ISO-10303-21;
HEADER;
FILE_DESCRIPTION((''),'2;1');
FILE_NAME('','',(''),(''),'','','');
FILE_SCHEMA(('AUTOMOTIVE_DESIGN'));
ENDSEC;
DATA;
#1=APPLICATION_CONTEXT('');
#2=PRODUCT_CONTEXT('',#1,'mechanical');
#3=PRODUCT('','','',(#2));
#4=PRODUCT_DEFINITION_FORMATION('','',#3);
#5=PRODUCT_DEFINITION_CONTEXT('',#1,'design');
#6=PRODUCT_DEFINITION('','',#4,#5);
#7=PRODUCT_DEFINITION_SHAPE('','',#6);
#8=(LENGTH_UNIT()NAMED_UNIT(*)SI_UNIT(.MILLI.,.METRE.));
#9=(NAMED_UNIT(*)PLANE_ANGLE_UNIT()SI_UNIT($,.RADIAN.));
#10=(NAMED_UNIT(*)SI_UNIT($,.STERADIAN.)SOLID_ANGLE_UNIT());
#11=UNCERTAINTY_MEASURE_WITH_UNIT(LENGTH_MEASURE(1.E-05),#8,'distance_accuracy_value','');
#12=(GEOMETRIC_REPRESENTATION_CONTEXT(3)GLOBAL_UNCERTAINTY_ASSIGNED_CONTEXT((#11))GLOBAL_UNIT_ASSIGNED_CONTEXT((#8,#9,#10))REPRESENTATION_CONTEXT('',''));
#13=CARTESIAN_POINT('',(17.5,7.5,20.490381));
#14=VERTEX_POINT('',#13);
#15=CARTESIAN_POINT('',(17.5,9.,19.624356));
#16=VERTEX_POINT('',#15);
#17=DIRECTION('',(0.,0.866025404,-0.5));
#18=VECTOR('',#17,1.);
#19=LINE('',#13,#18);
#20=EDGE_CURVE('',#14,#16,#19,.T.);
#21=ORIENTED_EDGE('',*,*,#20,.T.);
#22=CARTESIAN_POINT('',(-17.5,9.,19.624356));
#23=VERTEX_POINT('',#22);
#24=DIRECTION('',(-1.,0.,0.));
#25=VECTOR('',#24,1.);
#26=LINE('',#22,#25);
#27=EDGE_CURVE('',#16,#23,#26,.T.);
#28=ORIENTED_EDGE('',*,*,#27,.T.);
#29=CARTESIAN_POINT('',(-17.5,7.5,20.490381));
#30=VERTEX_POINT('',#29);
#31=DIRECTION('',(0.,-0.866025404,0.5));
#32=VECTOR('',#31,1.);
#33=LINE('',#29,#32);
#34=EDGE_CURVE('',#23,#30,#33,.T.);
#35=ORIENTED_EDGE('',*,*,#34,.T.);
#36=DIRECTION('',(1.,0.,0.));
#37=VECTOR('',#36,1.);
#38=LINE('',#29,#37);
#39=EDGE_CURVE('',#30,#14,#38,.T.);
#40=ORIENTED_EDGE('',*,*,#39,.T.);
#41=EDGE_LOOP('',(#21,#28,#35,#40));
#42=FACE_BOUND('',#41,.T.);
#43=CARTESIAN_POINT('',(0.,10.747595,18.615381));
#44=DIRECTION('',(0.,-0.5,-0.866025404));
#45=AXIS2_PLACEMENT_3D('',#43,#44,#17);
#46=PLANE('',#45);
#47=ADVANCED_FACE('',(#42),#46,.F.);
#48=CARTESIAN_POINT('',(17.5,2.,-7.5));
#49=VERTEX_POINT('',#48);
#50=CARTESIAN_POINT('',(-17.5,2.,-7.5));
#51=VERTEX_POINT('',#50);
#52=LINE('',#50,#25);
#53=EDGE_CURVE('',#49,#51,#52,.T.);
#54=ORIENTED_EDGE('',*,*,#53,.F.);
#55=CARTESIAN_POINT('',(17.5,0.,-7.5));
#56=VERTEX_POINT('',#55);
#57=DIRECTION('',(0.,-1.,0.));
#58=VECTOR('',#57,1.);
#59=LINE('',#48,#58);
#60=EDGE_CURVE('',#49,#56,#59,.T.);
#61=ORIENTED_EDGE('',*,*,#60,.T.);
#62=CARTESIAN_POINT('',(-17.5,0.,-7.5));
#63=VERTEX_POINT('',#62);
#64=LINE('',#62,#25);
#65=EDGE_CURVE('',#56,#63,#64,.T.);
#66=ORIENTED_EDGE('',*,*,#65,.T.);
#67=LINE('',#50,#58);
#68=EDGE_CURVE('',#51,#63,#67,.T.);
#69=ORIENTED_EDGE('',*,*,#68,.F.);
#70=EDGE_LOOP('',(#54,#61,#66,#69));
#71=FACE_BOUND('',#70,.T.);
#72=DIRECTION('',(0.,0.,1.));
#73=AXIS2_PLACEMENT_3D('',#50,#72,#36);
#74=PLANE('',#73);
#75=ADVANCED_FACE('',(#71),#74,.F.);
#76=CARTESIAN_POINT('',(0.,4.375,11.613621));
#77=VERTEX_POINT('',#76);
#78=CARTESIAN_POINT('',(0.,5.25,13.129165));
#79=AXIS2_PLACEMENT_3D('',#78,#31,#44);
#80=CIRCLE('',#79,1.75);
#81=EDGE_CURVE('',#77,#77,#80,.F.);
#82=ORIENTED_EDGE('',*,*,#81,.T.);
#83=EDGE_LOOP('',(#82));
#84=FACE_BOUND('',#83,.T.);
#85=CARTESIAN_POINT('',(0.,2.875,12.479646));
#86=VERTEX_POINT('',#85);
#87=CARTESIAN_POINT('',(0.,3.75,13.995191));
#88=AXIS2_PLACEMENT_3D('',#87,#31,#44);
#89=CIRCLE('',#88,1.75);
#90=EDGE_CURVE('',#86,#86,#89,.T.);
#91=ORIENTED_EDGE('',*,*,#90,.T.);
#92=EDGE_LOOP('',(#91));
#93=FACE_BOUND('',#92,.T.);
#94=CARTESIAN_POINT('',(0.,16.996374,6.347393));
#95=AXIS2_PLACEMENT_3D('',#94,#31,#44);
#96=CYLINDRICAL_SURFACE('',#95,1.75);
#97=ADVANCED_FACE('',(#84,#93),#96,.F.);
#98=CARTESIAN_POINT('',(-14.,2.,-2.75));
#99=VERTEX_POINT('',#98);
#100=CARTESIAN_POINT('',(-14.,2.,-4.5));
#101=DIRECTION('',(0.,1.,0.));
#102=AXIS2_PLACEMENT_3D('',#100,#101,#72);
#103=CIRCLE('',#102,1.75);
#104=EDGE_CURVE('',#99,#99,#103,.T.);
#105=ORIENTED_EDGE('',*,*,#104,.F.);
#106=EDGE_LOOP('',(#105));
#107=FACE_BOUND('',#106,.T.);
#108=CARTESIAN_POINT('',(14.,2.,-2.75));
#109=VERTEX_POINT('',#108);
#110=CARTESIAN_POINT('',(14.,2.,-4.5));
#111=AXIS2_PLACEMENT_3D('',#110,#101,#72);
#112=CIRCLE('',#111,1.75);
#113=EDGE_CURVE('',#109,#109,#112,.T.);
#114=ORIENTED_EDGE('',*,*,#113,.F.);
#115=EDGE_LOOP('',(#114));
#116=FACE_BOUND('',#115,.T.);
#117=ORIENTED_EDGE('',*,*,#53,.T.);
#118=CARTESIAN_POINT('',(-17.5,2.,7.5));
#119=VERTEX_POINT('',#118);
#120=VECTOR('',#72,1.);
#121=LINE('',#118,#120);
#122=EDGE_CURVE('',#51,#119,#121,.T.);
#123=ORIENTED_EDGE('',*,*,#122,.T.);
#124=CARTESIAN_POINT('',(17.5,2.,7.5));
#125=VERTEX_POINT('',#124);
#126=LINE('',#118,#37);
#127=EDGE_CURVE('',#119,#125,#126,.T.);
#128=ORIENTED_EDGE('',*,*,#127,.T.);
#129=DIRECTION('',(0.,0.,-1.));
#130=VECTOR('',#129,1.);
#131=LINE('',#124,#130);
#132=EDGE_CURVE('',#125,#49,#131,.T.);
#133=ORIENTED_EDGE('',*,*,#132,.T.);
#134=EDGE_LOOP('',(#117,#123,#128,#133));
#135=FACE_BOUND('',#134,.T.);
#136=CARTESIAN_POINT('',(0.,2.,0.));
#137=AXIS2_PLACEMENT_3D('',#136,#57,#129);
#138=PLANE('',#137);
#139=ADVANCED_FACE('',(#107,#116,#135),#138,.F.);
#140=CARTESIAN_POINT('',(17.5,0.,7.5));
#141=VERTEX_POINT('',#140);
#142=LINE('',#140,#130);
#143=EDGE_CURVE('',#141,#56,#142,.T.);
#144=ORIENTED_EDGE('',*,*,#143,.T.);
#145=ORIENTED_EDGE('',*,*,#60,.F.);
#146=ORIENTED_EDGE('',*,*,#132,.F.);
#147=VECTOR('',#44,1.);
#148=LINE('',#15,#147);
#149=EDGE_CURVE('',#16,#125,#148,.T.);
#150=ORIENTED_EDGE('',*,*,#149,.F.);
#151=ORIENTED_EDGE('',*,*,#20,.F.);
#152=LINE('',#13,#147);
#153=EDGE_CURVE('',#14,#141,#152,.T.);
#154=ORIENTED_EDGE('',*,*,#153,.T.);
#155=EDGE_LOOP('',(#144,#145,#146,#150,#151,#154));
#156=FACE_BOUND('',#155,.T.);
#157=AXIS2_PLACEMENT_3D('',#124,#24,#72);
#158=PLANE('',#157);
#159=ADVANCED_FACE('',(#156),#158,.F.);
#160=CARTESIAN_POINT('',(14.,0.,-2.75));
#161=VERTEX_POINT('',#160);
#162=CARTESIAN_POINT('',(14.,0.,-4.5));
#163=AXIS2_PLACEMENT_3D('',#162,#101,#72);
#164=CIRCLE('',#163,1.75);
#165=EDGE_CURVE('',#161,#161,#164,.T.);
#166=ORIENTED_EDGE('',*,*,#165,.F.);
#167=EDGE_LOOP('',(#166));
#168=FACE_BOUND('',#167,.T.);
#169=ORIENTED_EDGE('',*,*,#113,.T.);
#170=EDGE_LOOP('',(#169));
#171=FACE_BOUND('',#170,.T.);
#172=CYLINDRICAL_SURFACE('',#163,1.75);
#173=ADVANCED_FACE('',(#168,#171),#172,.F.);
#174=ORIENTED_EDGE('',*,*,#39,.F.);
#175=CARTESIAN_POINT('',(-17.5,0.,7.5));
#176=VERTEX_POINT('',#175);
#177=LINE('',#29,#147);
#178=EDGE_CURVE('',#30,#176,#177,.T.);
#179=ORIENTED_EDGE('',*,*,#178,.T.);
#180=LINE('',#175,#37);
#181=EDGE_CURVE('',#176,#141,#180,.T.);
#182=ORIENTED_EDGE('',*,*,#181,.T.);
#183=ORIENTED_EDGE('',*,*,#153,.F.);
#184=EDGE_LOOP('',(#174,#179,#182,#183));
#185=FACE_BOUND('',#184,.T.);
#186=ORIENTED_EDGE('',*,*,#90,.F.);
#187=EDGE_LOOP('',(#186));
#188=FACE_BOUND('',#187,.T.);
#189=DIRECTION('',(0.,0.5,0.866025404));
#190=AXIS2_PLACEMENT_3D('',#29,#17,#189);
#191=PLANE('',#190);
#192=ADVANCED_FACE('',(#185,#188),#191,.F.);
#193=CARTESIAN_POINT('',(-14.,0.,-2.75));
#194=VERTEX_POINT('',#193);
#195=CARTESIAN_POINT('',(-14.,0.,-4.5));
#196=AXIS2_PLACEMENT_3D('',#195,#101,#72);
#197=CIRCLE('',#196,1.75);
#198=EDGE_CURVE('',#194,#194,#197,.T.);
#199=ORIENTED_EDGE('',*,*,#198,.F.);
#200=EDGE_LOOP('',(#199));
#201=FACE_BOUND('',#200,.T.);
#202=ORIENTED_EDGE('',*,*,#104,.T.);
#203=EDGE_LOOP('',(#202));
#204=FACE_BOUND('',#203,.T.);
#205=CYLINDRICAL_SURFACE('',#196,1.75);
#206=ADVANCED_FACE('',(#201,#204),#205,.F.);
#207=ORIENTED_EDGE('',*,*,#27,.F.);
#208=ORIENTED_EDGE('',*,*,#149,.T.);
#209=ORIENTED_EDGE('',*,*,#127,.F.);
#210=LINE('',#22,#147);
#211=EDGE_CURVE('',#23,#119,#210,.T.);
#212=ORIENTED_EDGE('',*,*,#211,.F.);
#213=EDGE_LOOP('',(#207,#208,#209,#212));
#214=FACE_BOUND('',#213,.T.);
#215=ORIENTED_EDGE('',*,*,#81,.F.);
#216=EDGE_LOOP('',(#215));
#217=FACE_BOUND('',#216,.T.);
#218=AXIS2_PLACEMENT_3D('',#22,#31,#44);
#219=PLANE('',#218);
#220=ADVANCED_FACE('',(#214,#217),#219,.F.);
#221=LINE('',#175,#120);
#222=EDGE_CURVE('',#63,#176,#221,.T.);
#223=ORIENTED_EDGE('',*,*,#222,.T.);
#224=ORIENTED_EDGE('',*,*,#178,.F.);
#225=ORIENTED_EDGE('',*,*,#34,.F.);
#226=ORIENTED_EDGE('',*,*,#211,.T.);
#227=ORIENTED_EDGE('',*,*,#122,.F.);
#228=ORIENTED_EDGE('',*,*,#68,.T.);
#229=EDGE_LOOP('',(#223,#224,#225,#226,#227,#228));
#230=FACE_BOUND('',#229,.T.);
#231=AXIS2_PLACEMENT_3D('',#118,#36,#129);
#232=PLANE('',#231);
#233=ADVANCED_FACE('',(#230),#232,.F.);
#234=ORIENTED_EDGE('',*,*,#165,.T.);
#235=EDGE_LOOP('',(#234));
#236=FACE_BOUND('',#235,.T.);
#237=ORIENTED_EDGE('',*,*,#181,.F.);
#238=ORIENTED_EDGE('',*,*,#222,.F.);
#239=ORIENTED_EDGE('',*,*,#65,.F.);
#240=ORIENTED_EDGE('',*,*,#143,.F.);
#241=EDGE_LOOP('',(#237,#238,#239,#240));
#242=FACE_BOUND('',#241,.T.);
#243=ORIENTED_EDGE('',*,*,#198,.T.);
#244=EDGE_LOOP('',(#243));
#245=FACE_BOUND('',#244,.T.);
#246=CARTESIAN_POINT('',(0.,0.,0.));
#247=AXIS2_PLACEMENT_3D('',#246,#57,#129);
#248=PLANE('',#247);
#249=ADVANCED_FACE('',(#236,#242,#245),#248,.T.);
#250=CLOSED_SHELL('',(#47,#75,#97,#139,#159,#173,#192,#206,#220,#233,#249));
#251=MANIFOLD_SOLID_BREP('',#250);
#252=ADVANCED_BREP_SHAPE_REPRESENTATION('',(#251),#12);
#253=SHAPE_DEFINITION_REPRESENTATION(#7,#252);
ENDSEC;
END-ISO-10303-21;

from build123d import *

# Parameters (mm, degrees)
CROQUIS1_W              = 35
CROQUIS1_H              = 15
SALIENTE_EXTRUIR1_DEPTH = 2
CROQUIS2_R              = 1.75
CORTAR_EXTRUIR1_DEPTH   = 20.144189719
CROQUIS3_W              = 35
CROQUIS3_H              = 1.732050808
SALIENTE_EXTRUIR2_DEPTH = 15
CORTAR_EXTRUIR2_REACH   = 30.333
CROQUIS4_R              = 1.75


with BuildPart() as part:
    # Croquis1 → Saliente-Extruir1 (new body)
    with BuildSketch(Plane(origin=(0, 0, 0), x_dir=(1, 0, 0), z_dir=(0, 1, 0))):
        Rectangle(CROQUIS1_W, CROQUIS1_H)
    extrude(amount=SALIENTE_EXTRUIR1_DEPTH)

    # Croquis2 → Cortar-Extruir1 (cut, through all)
    with BuildSketch(Plane(origin=(0, 2, 0), x_dir=(1, 0, 0), z_dir=(0, 1, 0))):
        with Locations(Location((-14, 4.5, 0), (0, 0, 270))):
            Circle(CROQUIS2_R)
        with Locations(Location((14, 4.5, 0), (0, 0, 270))):
            Circle(CROQUIS2_R)
    extrude(amount=-CORTAR_EXTRUIR1_DEPTH, mode=Mode.SUBTRACT)

    # Croquis3 → Saliente-Extruir2 (add)
    with BuildSketch(Plane(origin=(0, 3.247595264, 5.625), x_dir=(1, 0, 0), z_dir=(0, 0.500000000000001, 0.866025403784438))):
        with Locations((0, -2.883974596)):
            Rectangle(CROQUIS3_W, CROQUIS3_H)
    extrude(amount=SALIENTE_EXTRUIR2_DEPTH)

    # Croquis4 → Cortar-Extruir2 (cut, up to next)
    with BuildSketch(Plane(origin=(0, -3.247595264, 1.875), x_dir=(1, 0, 0), z_dir=(0, -0.8660254037844382, 0.5000000000000011)), mode=Mode.PRIVATE) as cortar_extruir2_sk1:
        with Locations(Location((0, 13.995190528, 0), (0, 0, 270))):
            Circle(CROQUIS4_R)
    cortar_extruir2_tool1 = extrude(cortar_extruir2_sk1.sketch, amount=-CORTAR_EXTRUIR2_REACH, mode=Mode.PRIVATE) & part.part
    add(cortar_extruir2_tool1.solids().sort_by_distance((0, 3.75, 13.995191))[0], mode=Mode.SUBTRACT)


solid = part.part
